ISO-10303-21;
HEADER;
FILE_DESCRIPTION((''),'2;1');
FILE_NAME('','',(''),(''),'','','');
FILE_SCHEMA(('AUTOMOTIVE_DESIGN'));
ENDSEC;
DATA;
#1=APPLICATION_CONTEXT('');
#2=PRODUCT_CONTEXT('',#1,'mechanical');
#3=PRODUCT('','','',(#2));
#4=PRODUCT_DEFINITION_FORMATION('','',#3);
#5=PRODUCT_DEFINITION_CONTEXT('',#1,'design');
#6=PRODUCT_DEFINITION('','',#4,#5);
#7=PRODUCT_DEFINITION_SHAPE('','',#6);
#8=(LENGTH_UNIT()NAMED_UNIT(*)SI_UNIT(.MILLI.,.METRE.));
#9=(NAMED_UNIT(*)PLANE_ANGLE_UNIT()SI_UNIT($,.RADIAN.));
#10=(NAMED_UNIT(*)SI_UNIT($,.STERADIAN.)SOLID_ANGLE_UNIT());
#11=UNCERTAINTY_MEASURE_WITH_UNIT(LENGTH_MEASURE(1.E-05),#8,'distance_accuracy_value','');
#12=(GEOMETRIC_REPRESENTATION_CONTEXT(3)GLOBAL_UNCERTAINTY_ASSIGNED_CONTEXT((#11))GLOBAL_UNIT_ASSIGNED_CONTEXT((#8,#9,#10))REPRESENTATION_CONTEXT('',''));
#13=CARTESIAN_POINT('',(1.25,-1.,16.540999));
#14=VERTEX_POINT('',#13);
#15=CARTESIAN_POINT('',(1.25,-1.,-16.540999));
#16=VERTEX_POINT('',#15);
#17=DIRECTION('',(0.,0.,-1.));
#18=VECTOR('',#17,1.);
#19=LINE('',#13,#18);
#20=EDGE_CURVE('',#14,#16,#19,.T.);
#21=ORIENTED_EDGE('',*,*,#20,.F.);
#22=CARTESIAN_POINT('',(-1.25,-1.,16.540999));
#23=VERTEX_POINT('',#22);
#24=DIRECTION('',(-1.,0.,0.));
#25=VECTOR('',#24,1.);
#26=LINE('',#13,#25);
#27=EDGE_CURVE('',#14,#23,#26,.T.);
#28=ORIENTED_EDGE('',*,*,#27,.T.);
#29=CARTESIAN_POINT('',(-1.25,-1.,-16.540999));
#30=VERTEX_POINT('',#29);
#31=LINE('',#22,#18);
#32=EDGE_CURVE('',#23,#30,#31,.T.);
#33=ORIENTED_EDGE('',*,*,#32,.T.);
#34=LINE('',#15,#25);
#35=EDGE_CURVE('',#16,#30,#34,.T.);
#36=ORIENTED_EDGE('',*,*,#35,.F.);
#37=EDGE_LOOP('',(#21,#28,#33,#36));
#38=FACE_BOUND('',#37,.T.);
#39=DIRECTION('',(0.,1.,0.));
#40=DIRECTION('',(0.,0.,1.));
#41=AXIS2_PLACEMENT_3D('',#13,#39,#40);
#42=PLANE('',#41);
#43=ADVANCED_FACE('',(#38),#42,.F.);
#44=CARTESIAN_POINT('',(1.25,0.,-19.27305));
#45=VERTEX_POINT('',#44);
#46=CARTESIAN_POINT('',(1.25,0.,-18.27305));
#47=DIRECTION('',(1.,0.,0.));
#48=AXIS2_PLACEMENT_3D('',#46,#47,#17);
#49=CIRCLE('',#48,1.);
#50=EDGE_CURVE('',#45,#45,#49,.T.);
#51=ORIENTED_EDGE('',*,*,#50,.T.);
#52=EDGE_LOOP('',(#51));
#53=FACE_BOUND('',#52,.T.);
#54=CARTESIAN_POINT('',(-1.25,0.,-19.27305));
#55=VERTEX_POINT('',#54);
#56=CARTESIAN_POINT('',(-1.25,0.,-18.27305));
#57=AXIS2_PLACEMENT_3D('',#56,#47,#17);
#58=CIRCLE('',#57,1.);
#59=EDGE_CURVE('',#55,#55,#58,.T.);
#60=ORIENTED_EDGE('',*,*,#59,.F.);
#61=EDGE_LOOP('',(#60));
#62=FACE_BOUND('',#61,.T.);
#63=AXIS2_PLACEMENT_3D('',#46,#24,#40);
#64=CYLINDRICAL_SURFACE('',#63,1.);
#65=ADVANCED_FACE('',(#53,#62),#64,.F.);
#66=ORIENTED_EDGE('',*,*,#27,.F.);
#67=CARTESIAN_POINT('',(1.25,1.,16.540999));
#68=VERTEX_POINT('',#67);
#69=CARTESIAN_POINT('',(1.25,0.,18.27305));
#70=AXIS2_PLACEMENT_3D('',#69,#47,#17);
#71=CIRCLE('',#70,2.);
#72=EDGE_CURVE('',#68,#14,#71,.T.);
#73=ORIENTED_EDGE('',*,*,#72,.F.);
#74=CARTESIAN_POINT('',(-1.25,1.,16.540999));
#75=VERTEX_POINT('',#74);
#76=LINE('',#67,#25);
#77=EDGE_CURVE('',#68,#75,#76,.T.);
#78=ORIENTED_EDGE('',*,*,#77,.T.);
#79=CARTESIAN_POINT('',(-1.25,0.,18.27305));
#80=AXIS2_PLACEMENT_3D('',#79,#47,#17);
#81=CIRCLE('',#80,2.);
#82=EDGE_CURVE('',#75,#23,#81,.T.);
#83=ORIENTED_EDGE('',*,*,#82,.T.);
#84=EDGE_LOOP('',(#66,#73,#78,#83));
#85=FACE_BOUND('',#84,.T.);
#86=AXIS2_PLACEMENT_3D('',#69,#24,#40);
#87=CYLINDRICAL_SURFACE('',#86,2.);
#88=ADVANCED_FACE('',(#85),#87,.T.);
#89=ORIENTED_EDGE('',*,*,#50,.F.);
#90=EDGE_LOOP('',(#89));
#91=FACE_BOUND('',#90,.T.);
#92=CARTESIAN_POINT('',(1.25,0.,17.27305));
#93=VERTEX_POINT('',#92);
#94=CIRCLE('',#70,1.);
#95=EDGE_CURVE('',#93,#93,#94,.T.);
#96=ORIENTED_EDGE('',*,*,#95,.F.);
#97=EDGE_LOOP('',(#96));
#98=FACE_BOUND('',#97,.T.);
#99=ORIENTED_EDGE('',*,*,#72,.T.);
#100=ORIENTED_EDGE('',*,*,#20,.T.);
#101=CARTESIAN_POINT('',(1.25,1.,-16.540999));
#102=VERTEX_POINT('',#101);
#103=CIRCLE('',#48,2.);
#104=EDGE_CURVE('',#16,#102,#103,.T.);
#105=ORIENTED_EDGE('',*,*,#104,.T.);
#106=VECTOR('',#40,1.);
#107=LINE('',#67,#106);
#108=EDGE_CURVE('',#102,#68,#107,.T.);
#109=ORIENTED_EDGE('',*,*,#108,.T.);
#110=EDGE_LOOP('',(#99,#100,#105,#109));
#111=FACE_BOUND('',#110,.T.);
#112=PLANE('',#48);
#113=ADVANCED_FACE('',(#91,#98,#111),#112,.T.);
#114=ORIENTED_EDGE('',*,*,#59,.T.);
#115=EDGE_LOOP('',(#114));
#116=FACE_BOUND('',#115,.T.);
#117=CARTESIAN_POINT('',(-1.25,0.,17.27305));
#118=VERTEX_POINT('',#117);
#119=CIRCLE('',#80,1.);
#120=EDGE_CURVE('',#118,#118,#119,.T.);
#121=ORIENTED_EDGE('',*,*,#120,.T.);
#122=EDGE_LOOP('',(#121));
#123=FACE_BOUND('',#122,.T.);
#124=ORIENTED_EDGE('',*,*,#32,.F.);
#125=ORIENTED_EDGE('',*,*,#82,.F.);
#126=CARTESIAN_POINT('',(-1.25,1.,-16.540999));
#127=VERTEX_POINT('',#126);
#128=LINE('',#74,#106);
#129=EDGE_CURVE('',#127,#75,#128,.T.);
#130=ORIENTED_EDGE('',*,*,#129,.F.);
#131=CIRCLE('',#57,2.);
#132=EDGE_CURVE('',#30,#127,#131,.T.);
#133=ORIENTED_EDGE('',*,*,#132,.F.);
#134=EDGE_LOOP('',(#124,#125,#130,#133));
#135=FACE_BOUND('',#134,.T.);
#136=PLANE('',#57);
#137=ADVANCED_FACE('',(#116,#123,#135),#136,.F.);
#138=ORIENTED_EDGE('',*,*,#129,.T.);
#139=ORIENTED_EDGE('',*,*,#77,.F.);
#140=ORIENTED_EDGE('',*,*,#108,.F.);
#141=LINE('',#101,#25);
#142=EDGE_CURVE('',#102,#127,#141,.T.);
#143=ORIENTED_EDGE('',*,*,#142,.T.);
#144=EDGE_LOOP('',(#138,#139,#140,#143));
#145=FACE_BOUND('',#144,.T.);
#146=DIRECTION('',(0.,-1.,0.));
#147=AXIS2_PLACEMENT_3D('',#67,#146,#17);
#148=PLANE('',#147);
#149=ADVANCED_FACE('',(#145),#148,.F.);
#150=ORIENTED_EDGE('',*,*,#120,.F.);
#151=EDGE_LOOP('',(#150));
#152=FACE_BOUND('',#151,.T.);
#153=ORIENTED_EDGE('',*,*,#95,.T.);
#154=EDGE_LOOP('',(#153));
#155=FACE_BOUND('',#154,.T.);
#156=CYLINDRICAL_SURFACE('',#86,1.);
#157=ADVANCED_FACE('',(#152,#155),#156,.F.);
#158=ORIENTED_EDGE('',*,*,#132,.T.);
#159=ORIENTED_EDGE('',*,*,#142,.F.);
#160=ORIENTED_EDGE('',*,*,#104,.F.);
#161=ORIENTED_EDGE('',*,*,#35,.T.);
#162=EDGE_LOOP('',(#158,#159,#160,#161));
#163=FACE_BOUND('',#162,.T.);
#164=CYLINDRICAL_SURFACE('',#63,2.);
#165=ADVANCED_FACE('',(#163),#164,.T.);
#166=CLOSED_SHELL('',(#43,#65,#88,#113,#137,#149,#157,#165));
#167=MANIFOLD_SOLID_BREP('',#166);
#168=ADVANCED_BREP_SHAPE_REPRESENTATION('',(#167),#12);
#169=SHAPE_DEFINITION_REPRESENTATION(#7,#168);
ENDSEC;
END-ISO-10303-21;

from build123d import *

# Parameters (mm, degrees)
SKETCH1_R           = 1
BOSS_EXTRUDE1_DEPTH = 1.25


with BuildPart() as part:
    # Sketch1 → Boss-Extrude1 (new body, symmetric)
    with BuildSketch(Plane(origin=(0, 0, 0), x_dir=(0, 0, -1), z_dir=(1, 0, 0))):
        with BuildLine():
            Line((-16.540999192, 1), (16.540999192, 1))
            ThreePointArc((16.540999192, 1), (20.27305, 0), (16.540999192, -1))
            Line((16.540999192, -1), (-16.540999192, -1))
            ThreePointArc((-16.540999192, -1), (-20.27305, 0), (-16.540999192, 1))
        make_face()
        with Locations((-18.27305, 0)):
            Circle(SKETCH1_R, mode=Mode.SUBTRACT)
        with Locations((18.27305, 0)):
            Circle(SKETCH1_R, mode=Mode.SUBTRACT)
    extrude(amount=BOSS_EXTRUDE1_DEPTH, both=True)


solid = part.part
